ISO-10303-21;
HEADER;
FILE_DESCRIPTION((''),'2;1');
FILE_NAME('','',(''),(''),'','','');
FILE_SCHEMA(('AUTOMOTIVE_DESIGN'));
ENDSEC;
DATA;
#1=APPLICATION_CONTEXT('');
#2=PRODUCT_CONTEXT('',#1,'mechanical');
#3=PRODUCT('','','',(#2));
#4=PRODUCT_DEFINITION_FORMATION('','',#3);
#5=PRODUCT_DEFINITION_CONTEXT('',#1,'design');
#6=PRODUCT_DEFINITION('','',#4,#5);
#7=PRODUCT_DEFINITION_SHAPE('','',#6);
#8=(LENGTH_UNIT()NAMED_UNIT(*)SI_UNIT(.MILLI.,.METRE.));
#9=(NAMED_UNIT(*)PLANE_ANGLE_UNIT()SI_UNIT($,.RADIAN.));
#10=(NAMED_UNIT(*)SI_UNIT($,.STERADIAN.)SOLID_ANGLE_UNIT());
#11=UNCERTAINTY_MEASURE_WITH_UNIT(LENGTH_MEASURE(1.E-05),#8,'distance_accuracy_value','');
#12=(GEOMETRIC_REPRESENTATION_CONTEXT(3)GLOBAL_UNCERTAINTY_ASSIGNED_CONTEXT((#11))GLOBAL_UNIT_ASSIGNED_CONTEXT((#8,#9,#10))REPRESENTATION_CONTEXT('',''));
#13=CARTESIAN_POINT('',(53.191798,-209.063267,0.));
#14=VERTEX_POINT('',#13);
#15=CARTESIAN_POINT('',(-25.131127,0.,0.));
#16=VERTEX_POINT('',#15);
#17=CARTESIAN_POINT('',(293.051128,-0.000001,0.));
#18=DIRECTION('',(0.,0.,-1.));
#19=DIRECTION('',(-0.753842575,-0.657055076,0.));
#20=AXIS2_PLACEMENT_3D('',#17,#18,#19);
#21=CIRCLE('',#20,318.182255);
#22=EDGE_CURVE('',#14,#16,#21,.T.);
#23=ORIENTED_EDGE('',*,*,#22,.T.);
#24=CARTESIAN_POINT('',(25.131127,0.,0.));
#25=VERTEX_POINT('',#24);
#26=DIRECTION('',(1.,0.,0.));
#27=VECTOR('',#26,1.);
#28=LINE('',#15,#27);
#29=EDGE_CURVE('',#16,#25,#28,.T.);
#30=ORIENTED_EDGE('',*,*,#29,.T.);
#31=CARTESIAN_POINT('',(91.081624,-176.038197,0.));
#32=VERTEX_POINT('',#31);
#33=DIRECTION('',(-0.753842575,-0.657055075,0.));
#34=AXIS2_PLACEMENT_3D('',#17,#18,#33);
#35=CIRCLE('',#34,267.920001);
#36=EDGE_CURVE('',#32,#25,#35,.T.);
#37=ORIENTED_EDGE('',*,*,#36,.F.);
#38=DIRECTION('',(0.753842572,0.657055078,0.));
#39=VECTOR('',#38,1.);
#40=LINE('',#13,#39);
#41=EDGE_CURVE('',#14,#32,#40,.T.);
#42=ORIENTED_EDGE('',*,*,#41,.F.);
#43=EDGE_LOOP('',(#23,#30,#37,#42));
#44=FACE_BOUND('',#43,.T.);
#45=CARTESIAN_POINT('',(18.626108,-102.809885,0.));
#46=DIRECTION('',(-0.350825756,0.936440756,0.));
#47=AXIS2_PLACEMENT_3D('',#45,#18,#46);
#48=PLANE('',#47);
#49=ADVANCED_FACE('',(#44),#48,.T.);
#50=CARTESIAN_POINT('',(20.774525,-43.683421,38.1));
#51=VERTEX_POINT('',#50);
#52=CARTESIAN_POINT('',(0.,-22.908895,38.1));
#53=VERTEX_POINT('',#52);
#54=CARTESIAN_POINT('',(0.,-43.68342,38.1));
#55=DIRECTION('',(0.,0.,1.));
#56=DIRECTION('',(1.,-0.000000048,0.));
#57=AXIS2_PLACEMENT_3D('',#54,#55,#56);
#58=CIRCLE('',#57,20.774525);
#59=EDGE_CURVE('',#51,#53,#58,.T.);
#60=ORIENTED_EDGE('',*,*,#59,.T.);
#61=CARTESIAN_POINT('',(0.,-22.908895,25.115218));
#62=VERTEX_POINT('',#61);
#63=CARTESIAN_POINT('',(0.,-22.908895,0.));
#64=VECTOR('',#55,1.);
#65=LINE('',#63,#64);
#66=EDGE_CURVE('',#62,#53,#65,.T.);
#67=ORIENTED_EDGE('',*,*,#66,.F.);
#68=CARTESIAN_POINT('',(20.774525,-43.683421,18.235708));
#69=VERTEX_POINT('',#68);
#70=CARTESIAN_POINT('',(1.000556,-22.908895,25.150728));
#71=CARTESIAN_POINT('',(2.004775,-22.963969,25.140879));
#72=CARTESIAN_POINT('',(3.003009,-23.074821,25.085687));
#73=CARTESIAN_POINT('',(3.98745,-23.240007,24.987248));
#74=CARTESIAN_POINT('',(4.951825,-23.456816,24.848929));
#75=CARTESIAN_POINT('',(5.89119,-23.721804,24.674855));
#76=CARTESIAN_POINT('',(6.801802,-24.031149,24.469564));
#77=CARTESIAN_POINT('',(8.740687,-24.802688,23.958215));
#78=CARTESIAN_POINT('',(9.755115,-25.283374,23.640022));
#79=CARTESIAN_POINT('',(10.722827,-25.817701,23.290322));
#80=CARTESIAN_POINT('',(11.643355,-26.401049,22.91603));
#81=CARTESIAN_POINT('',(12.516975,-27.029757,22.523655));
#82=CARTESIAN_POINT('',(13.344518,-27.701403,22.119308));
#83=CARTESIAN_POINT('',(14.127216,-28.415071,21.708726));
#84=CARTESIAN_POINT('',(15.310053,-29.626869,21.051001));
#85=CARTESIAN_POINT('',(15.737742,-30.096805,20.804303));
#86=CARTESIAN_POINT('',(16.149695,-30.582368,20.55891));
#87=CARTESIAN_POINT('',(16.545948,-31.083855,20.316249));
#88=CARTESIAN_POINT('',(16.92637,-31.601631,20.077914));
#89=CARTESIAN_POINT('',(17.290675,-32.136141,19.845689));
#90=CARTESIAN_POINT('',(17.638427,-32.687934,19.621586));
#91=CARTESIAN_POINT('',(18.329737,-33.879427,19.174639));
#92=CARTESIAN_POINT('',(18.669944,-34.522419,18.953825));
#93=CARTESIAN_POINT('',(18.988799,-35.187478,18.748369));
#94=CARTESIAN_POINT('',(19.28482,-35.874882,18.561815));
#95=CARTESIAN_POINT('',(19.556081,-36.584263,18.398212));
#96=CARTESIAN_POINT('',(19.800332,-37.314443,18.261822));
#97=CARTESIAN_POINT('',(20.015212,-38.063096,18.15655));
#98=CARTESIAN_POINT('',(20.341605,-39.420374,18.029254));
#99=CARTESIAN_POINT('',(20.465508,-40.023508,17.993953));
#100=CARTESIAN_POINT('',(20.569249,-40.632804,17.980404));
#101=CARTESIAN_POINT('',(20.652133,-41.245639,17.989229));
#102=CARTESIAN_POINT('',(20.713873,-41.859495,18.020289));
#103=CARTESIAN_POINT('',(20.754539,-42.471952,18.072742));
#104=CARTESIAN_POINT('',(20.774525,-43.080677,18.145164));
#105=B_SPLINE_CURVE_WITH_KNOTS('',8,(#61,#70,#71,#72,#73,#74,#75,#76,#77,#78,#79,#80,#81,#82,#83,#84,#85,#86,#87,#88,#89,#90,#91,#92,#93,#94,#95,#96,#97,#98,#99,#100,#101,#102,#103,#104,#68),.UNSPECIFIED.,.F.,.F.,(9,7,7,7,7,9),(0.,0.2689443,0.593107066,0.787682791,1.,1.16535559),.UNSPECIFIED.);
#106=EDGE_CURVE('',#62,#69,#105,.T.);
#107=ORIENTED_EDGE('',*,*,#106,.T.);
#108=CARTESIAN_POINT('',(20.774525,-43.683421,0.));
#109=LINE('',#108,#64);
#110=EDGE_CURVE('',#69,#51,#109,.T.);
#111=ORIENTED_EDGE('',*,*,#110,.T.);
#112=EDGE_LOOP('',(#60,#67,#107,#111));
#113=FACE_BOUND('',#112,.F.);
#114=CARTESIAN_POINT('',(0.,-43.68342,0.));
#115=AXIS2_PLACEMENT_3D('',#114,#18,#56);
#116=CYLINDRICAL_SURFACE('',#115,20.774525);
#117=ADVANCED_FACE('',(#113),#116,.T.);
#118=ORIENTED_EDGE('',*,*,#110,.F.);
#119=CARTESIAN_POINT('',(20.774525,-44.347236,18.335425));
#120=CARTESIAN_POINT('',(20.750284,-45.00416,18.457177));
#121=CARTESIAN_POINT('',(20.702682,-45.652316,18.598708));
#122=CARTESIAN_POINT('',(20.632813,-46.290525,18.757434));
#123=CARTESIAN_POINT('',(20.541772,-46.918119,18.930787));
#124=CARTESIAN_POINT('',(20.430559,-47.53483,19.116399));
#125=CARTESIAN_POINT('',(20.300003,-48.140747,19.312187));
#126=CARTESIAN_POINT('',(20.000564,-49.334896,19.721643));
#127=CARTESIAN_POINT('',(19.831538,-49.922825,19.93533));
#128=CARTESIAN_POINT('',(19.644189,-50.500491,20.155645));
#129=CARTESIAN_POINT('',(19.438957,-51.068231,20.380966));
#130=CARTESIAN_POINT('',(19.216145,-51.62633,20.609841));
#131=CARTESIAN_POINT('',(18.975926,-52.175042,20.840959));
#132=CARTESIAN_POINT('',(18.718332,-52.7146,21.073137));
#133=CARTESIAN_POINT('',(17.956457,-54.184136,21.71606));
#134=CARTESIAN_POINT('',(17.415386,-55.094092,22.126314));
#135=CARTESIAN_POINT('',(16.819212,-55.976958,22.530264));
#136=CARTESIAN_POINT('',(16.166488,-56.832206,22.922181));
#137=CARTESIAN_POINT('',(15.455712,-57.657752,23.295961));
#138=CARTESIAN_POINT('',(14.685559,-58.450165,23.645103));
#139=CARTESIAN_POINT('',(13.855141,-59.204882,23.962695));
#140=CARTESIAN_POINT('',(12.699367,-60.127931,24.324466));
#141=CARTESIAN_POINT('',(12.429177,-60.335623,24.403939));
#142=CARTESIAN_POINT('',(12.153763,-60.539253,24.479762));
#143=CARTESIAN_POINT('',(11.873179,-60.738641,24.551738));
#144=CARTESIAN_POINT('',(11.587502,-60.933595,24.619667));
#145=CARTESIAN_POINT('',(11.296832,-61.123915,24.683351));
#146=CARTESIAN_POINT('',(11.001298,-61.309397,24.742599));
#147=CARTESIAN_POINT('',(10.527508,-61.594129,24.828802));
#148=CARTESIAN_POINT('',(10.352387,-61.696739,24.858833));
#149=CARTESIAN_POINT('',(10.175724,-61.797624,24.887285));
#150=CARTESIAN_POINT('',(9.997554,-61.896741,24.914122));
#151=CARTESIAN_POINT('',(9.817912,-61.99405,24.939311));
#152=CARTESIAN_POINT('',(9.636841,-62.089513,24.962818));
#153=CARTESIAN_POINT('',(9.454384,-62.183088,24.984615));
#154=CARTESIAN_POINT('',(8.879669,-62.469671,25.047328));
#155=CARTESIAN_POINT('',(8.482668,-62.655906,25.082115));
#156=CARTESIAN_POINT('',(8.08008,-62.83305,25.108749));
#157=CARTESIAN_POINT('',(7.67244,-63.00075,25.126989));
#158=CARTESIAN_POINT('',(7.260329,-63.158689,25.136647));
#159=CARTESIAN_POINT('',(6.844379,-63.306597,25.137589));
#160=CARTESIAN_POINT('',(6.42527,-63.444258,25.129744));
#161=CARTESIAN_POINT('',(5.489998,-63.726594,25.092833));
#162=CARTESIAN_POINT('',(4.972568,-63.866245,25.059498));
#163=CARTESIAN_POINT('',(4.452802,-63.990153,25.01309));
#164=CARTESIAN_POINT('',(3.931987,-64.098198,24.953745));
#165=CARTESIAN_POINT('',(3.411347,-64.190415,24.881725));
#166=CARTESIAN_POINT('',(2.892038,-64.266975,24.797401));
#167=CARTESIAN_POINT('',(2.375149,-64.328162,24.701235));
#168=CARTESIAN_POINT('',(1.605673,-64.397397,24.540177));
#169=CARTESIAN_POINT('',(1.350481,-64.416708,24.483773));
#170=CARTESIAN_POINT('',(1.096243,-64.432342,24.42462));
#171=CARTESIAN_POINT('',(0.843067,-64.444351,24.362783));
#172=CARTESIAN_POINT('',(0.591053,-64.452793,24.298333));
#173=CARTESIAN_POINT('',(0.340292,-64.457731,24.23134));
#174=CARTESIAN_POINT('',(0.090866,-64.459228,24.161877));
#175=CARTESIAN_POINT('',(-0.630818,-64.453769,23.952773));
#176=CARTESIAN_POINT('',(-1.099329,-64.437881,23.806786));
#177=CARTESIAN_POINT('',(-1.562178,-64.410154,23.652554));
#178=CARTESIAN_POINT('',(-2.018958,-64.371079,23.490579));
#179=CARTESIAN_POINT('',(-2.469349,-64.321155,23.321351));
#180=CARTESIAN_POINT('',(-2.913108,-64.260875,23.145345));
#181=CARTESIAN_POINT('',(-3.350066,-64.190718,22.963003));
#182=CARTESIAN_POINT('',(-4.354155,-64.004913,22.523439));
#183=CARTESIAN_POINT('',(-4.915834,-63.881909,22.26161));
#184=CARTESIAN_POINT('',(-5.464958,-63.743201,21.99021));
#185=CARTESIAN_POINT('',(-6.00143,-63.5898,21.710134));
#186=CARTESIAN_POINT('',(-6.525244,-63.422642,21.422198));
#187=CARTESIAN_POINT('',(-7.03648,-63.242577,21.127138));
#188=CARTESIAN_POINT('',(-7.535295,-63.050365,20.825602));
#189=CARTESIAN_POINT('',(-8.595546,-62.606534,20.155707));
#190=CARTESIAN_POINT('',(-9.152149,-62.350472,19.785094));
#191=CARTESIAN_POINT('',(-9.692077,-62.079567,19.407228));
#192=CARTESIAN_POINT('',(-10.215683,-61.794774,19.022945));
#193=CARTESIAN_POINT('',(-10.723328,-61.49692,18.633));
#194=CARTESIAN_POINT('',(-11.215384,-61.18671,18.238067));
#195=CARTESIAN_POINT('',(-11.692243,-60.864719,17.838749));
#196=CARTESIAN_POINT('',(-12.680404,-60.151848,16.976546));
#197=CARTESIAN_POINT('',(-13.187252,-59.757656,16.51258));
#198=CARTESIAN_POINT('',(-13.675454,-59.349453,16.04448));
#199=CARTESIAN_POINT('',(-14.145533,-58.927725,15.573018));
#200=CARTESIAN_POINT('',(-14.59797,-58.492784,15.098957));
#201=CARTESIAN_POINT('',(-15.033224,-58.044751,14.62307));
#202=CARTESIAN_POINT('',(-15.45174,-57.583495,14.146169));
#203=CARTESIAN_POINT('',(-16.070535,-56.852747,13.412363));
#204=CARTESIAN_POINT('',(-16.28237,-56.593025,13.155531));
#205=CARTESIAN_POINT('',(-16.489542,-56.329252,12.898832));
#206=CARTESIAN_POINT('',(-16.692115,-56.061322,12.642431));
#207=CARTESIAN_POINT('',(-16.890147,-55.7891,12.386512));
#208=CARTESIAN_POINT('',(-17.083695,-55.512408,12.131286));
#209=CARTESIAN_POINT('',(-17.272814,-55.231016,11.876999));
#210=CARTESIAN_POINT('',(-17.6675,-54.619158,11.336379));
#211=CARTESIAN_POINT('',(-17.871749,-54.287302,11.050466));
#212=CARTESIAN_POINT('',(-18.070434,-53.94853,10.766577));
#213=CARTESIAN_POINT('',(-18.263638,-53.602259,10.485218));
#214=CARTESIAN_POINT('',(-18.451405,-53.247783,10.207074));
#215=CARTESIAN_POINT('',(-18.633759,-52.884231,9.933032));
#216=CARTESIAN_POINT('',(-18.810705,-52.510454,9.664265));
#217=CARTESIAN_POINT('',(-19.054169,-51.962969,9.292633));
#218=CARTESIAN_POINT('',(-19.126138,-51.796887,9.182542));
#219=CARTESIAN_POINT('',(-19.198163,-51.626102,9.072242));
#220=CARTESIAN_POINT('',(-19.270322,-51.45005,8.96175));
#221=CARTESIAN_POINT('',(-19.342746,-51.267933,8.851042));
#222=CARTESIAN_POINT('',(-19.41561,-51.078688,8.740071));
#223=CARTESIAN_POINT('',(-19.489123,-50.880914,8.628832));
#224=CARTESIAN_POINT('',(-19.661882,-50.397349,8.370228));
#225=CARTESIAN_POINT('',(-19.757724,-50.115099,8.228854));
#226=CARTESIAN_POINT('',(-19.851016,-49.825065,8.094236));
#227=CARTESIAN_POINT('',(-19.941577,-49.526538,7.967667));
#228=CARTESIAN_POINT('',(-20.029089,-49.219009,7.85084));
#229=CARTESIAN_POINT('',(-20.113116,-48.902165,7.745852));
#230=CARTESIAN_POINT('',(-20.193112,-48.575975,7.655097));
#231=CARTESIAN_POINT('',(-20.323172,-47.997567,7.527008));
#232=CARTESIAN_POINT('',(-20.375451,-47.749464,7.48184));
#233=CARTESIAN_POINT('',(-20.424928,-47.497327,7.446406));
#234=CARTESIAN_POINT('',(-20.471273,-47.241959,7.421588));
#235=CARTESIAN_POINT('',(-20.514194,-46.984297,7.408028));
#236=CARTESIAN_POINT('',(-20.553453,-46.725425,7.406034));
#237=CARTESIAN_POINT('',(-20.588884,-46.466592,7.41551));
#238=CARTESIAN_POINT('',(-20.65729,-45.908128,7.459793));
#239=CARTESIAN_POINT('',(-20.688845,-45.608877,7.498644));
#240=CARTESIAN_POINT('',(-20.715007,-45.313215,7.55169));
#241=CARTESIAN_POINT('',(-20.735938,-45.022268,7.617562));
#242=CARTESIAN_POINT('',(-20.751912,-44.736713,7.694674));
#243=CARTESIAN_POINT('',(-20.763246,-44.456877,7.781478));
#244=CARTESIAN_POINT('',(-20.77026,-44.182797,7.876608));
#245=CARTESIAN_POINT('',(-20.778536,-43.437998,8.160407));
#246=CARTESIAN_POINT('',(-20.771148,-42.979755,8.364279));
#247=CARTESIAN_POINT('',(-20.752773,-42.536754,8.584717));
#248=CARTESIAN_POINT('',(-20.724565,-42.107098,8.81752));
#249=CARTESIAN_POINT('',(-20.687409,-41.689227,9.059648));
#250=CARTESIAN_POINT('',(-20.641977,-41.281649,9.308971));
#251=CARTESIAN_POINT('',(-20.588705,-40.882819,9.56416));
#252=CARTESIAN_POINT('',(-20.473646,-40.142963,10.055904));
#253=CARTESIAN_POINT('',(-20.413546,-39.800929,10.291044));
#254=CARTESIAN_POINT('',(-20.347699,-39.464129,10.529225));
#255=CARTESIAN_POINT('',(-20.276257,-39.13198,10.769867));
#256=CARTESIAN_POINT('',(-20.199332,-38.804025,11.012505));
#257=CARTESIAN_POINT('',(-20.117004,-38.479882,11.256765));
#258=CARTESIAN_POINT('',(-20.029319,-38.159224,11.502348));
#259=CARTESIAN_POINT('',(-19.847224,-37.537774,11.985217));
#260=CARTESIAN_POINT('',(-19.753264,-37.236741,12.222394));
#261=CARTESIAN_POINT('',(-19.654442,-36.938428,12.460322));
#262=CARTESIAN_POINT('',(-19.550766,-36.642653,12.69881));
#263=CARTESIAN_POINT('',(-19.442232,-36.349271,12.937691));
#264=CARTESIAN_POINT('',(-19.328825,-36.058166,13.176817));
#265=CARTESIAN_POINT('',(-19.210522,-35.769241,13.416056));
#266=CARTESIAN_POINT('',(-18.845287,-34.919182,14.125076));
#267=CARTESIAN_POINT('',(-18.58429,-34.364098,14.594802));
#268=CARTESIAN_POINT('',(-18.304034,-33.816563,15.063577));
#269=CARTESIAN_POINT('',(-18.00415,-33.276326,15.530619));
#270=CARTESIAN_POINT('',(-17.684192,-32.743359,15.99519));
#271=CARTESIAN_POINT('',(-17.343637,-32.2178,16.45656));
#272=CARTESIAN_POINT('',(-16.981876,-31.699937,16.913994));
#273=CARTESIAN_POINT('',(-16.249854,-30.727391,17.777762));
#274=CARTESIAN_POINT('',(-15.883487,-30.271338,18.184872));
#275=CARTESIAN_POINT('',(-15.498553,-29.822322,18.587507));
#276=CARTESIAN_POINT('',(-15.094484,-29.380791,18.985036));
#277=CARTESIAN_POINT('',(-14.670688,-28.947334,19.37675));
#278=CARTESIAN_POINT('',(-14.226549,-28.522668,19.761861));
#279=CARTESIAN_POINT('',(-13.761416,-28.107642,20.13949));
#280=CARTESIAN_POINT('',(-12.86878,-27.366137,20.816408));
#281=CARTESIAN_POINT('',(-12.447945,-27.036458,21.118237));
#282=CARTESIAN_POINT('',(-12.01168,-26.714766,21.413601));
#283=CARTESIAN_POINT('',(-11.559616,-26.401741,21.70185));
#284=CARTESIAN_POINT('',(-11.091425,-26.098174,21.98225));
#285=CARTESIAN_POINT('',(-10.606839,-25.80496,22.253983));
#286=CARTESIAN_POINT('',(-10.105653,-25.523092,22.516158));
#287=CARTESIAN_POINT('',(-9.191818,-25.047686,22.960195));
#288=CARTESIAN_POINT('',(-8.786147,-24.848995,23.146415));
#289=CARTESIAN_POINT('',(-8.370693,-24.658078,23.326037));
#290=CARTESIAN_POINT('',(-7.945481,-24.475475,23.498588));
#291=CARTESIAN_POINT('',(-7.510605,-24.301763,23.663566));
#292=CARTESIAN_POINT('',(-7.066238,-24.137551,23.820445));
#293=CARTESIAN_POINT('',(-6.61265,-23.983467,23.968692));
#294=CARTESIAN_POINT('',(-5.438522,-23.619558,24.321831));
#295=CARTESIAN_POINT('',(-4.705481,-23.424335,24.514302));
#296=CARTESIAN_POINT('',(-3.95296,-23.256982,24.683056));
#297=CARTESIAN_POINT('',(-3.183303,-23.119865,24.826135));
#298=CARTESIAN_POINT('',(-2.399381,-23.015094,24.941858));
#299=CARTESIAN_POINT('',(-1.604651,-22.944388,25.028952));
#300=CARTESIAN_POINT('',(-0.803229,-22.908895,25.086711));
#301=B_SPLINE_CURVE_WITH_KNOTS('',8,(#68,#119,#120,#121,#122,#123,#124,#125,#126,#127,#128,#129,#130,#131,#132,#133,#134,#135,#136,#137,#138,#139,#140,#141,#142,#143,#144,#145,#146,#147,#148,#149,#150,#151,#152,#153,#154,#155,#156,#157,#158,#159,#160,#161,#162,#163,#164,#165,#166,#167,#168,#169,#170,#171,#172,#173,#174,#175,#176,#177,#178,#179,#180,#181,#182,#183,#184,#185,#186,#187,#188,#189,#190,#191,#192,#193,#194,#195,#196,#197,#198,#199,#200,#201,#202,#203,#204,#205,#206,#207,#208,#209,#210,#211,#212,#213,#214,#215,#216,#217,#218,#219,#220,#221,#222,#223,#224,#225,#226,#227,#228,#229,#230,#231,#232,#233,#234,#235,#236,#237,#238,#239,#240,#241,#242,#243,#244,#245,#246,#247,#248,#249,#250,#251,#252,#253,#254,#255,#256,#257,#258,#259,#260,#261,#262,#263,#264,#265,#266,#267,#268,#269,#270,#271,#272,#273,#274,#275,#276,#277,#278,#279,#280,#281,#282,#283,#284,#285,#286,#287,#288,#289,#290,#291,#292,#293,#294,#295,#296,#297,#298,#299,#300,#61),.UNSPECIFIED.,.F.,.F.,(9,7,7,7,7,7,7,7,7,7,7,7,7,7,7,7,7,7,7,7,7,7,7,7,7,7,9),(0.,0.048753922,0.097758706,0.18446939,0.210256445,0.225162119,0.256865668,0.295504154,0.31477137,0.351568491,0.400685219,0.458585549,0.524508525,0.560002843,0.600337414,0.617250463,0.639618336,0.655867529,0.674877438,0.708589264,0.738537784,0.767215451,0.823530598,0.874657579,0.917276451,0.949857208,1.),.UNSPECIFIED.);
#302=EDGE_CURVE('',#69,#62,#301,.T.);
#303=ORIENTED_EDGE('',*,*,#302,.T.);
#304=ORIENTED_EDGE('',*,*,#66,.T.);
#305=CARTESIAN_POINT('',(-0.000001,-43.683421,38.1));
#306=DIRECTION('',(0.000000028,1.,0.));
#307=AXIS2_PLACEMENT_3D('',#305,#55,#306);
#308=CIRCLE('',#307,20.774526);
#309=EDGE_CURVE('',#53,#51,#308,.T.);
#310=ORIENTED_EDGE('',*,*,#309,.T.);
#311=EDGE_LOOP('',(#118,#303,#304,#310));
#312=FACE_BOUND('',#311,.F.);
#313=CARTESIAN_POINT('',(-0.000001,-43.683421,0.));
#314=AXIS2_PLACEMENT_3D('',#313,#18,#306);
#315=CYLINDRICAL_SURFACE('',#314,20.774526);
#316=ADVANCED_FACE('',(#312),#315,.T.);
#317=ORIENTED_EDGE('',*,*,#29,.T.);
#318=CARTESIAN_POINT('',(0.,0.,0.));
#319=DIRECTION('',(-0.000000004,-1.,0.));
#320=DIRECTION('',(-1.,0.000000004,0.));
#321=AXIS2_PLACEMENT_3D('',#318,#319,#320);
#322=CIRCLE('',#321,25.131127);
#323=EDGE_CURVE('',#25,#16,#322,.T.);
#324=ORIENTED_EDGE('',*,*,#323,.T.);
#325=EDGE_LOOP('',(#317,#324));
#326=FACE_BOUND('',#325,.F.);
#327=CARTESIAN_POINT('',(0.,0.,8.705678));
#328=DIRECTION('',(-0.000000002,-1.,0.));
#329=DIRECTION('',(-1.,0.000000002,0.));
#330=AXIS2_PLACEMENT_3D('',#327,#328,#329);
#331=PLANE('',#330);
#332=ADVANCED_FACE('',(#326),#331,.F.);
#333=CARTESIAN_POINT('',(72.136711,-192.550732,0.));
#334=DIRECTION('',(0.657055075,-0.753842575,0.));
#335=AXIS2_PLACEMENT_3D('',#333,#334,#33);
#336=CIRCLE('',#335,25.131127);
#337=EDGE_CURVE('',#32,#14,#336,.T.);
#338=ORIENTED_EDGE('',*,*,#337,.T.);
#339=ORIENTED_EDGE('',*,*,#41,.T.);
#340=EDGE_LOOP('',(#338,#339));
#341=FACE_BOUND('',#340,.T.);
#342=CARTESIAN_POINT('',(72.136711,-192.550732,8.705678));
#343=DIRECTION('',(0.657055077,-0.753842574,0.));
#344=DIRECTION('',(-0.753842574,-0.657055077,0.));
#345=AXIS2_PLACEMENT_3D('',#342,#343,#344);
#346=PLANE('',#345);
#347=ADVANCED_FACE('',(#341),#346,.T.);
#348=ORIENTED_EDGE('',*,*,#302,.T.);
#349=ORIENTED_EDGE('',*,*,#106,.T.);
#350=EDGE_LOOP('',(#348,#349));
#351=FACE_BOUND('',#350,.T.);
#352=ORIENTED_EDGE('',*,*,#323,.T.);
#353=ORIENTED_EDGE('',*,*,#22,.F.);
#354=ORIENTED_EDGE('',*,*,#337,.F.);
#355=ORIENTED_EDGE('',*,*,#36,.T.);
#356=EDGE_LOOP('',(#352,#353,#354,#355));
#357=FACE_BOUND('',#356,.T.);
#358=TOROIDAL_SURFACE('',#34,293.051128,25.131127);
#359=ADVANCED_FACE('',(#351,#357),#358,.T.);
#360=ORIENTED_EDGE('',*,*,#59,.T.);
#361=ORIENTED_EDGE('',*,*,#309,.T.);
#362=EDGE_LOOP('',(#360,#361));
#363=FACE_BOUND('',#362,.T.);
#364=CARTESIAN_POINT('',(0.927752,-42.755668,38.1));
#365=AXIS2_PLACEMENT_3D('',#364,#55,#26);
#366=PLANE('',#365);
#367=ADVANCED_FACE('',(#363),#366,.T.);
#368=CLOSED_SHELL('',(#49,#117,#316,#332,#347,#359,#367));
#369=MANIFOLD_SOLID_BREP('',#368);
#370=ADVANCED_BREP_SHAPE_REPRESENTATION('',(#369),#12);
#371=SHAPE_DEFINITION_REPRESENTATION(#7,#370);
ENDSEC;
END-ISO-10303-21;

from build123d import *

# Parameters (mm, degrees)
F1_DEPTH = 38.1


with BuildPart() as f1:
    # F0 (on Top) → F1 (new body)
    with BuildSketch(Plane.XY):
        with BuildLine():
            ThreePointArc((0, -22.908895), (-14.689808, -58.373229), (20.774525, -43.683421))
            ThreePointArc((20.774525, -43.683421), (14.689808, -28.993613), (0, -22.908895))
        make_face()
    extrude(amount=F1_DEPTH)

    # F4: sweep along a path in F2
    with BuildLine(Plane.XY) as f4_path:
        ThreePointArc((72.136711, -192.550732), (18.626108, -102.809884), (0, 0))
    # F3 (on Front) → F4 (sweep)
    with BuildSketch(Plane.XZ):
        with BuildLine():
            Line((-25.131127, 0), (25.131127, 0))
            ThreePointArc((25.131127, 0), (0, 25.131127), (-25.131127, 0))
        make_face()
    sweep(path=f4_path.line)


solid = f1.part
